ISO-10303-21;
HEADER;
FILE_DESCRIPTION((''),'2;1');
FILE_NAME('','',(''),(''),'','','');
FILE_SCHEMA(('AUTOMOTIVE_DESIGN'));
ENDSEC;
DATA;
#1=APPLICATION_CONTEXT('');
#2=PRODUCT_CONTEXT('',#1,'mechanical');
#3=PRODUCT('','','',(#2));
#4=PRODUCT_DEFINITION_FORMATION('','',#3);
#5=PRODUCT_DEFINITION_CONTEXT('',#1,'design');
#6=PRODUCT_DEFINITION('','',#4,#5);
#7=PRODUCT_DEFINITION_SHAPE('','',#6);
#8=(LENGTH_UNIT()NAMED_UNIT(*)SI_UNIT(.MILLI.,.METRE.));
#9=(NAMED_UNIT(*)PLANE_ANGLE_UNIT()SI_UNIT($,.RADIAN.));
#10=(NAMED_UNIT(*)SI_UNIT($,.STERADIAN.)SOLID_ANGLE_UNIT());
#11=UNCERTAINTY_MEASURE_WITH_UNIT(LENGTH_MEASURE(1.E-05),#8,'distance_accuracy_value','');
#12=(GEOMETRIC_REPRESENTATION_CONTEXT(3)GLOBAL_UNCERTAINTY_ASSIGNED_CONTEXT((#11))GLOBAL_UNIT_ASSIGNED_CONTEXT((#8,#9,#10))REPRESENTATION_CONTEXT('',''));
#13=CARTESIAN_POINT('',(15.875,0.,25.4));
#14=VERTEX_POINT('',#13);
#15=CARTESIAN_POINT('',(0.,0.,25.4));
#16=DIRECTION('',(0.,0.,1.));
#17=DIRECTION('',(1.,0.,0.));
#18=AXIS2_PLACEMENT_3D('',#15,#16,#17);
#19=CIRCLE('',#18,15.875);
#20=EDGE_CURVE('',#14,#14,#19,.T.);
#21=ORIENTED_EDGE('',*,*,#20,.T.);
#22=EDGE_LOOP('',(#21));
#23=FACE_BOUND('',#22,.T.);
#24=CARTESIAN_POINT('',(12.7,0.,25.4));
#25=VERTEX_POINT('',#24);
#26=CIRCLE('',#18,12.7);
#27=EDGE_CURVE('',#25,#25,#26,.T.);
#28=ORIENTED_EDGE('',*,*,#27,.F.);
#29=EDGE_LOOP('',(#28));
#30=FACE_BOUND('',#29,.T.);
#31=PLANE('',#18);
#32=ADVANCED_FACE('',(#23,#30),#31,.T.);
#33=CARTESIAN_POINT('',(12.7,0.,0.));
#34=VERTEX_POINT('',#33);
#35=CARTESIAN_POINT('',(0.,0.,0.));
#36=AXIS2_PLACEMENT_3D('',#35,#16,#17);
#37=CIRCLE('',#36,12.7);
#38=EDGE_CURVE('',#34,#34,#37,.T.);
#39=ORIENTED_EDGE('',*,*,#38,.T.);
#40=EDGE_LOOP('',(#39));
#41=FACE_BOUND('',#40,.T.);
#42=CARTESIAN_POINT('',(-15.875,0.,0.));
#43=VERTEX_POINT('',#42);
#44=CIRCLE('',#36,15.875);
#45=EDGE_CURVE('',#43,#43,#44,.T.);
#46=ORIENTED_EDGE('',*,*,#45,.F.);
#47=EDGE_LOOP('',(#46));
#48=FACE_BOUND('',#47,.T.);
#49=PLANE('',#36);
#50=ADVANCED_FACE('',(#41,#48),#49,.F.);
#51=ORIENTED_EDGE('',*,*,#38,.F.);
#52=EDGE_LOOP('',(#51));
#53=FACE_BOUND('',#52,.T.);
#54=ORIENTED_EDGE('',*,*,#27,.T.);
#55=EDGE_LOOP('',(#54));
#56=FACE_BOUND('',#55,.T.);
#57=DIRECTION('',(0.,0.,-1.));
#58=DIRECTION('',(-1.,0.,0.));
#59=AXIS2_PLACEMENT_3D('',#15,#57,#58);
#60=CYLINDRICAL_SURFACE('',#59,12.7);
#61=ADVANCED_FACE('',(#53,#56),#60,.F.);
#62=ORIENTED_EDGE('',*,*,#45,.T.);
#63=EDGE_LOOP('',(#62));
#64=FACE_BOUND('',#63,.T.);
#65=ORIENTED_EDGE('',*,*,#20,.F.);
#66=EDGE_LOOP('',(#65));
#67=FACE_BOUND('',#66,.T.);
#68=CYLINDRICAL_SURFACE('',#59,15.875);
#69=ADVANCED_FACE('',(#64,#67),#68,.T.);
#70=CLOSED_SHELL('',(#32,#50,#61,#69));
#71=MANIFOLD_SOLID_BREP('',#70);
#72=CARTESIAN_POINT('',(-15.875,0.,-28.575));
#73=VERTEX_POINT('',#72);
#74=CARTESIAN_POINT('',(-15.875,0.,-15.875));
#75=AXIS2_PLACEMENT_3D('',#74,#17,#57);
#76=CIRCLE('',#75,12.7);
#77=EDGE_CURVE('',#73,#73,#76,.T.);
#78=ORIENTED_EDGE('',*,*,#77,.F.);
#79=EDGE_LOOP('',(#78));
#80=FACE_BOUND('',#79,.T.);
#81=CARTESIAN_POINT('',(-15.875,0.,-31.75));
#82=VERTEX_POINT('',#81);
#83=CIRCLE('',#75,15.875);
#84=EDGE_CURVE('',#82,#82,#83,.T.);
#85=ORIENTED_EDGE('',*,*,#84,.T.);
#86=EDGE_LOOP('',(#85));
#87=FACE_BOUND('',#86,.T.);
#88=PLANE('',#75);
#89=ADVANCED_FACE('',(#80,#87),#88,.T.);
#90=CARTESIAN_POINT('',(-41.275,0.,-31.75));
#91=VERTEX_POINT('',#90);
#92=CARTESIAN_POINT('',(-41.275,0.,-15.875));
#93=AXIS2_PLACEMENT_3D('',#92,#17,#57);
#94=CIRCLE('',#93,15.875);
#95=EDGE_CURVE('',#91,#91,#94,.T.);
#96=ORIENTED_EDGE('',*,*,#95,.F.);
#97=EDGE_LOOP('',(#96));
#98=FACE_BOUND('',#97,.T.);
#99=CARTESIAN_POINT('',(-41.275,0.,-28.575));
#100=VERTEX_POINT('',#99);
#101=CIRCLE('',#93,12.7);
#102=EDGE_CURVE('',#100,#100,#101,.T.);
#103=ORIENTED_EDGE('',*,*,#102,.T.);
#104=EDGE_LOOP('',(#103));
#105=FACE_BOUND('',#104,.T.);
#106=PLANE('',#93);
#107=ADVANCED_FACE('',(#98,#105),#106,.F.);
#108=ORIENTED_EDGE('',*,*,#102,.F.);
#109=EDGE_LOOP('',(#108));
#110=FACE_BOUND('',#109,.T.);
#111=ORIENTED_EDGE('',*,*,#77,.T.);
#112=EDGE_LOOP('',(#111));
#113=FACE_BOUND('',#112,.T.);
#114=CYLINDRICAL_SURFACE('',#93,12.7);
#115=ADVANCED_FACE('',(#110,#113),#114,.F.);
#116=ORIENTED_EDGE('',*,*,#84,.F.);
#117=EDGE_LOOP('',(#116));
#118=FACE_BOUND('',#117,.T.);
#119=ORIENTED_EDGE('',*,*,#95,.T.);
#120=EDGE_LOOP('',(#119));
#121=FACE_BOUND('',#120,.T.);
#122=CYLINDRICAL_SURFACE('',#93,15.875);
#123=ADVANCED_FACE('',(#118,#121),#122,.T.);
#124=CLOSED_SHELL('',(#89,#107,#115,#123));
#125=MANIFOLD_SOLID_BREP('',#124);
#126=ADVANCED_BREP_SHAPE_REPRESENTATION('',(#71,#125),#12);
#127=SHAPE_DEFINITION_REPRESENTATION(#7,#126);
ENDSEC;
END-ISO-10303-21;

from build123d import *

# Parameters (mm, degrees)
SKETCH1_R           = 15.875
SKETCH1_R_2         = 12.7
BOSS_EXTRUDE1_DEPTH = 25.4
SKETCH5_R           = 15.875
SKETCH5_R_2         = 12.7
BOSS_EXTRUDE2_DEPTH = 25.4


with BuildPart() as part:
    # Sketch1 → Boss-Extrude1 (new body)
    with BuildSketch(Plane.XY):
        Circle(SKETCH1_R)
        Circle(SKETCH1_R_2, mode=Mode.SUBTRACT)
    extrude(amount=BOSS_EXTRUDE1_DEPTH)


with BuildPart() as body_2:
    # Sketch5 → Boss-Extrude2 (new body)
    with BuildSketch(Plane(origin=(-15.875, 0, 0), x_dir=(0, 0, -1), z_dir=(1, 0, 0))):
        with Locations((15.875, 0)):
            Circle(SKETCH5_R)
        with Locations((15.875, 0)):
            Circle(SKETCH5_R_2, mode=Mode.SUBTRACT)
    extrude(amount=-BOSS_EXTRUDE2_DEPTH)


solid = Compound([part.part, body_2.part])
